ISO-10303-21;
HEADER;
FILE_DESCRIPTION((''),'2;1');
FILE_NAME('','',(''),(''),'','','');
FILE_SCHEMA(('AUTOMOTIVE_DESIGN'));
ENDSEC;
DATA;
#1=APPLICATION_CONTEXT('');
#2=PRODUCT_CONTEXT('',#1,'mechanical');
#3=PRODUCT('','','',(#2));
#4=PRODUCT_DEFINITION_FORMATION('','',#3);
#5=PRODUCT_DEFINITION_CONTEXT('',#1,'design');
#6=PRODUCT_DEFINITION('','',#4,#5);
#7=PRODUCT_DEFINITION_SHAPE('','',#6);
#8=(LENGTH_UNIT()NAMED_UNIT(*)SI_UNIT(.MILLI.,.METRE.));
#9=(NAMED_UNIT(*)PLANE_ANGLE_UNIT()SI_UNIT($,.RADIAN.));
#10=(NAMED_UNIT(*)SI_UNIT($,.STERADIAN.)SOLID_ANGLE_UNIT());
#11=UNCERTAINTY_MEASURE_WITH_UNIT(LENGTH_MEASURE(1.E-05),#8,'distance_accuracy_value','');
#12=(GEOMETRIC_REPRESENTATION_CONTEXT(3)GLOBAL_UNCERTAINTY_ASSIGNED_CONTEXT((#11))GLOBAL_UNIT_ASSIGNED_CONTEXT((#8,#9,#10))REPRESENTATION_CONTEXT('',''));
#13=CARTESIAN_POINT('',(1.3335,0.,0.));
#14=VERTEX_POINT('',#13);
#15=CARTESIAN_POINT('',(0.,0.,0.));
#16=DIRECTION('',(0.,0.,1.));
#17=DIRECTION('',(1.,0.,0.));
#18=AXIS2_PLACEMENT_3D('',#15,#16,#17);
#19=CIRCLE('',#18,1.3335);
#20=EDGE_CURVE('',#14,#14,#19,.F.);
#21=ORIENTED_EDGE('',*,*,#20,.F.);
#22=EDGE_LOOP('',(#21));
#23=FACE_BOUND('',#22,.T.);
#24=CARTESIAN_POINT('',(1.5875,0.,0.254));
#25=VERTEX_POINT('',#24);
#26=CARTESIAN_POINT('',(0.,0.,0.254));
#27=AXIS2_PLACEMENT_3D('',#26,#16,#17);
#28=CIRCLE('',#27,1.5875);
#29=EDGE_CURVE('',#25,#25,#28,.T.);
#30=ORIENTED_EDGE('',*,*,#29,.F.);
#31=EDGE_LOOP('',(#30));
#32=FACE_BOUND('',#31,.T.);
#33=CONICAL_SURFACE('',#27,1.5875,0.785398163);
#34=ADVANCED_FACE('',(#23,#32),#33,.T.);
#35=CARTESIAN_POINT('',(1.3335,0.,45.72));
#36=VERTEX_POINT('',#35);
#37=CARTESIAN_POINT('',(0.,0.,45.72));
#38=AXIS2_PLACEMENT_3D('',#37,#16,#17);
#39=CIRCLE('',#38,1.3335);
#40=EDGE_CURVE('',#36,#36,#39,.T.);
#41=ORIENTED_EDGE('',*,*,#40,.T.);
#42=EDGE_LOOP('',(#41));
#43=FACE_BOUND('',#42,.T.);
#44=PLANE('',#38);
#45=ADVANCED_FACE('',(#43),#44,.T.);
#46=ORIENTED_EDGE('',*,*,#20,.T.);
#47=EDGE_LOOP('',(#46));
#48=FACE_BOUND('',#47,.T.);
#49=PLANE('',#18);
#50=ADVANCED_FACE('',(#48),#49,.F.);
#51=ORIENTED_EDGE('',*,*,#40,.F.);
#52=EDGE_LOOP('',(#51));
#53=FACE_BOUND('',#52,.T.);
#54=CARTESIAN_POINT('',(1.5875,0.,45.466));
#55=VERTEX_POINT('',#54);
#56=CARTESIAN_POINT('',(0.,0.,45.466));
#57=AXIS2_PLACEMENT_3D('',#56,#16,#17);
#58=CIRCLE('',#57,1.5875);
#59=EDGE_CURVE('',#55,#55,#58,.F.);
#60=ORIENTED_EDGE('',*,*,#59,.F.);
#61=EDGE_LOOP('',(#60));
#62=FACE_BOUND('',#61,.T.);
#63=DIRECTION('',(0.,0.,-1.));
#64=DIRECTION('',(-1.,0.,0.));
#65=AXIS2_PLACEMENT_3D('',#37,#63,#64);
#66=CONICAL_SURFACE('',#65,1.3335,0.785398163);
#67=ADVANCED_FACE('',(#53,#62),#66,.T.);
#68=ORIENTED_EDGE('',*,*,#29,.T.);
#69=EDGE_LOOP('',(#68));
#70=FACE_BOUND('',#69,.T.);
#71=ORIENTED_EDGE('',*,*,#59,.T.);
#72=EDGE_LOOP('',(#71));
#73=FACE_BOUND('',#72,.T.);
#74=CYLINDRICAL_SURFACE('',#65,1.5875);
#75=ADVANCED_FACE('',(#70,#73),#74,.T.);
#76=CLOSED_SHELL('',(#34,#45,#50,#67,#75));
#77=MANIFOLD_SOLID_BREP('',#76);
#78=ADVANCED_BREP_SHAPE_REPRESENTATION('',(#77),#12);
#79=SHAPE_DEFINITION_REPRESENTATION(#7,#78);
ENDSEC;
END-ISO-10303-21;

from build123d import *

# Parameters (mm, degrees)
SKETCH1_R           = 1.5875
BOSS_EXTRUDE1_DEPTH = 45.72
CHAMFER1_SIZE       = 0.254


with BuildPart() as part:
    # Sketch1 → Boss-Extrude1 (new body)
    with BuildSketch(Plane.XY):
        Circle(SKETCH1_R)
    extrude(amount=BOSS_EXTRUDE1_DEPTH)

    # Chamfer1
    chamfer1_edges = [part.edges().sort_by_distance(p)[0] for p in [
        (-1.5875, 0, 0),
        (-1.5875, 0, 45.72),
    ]]
    chamfer(chamfer1_edges, length=CHAMFER1_SIZE)


solid = part.part
